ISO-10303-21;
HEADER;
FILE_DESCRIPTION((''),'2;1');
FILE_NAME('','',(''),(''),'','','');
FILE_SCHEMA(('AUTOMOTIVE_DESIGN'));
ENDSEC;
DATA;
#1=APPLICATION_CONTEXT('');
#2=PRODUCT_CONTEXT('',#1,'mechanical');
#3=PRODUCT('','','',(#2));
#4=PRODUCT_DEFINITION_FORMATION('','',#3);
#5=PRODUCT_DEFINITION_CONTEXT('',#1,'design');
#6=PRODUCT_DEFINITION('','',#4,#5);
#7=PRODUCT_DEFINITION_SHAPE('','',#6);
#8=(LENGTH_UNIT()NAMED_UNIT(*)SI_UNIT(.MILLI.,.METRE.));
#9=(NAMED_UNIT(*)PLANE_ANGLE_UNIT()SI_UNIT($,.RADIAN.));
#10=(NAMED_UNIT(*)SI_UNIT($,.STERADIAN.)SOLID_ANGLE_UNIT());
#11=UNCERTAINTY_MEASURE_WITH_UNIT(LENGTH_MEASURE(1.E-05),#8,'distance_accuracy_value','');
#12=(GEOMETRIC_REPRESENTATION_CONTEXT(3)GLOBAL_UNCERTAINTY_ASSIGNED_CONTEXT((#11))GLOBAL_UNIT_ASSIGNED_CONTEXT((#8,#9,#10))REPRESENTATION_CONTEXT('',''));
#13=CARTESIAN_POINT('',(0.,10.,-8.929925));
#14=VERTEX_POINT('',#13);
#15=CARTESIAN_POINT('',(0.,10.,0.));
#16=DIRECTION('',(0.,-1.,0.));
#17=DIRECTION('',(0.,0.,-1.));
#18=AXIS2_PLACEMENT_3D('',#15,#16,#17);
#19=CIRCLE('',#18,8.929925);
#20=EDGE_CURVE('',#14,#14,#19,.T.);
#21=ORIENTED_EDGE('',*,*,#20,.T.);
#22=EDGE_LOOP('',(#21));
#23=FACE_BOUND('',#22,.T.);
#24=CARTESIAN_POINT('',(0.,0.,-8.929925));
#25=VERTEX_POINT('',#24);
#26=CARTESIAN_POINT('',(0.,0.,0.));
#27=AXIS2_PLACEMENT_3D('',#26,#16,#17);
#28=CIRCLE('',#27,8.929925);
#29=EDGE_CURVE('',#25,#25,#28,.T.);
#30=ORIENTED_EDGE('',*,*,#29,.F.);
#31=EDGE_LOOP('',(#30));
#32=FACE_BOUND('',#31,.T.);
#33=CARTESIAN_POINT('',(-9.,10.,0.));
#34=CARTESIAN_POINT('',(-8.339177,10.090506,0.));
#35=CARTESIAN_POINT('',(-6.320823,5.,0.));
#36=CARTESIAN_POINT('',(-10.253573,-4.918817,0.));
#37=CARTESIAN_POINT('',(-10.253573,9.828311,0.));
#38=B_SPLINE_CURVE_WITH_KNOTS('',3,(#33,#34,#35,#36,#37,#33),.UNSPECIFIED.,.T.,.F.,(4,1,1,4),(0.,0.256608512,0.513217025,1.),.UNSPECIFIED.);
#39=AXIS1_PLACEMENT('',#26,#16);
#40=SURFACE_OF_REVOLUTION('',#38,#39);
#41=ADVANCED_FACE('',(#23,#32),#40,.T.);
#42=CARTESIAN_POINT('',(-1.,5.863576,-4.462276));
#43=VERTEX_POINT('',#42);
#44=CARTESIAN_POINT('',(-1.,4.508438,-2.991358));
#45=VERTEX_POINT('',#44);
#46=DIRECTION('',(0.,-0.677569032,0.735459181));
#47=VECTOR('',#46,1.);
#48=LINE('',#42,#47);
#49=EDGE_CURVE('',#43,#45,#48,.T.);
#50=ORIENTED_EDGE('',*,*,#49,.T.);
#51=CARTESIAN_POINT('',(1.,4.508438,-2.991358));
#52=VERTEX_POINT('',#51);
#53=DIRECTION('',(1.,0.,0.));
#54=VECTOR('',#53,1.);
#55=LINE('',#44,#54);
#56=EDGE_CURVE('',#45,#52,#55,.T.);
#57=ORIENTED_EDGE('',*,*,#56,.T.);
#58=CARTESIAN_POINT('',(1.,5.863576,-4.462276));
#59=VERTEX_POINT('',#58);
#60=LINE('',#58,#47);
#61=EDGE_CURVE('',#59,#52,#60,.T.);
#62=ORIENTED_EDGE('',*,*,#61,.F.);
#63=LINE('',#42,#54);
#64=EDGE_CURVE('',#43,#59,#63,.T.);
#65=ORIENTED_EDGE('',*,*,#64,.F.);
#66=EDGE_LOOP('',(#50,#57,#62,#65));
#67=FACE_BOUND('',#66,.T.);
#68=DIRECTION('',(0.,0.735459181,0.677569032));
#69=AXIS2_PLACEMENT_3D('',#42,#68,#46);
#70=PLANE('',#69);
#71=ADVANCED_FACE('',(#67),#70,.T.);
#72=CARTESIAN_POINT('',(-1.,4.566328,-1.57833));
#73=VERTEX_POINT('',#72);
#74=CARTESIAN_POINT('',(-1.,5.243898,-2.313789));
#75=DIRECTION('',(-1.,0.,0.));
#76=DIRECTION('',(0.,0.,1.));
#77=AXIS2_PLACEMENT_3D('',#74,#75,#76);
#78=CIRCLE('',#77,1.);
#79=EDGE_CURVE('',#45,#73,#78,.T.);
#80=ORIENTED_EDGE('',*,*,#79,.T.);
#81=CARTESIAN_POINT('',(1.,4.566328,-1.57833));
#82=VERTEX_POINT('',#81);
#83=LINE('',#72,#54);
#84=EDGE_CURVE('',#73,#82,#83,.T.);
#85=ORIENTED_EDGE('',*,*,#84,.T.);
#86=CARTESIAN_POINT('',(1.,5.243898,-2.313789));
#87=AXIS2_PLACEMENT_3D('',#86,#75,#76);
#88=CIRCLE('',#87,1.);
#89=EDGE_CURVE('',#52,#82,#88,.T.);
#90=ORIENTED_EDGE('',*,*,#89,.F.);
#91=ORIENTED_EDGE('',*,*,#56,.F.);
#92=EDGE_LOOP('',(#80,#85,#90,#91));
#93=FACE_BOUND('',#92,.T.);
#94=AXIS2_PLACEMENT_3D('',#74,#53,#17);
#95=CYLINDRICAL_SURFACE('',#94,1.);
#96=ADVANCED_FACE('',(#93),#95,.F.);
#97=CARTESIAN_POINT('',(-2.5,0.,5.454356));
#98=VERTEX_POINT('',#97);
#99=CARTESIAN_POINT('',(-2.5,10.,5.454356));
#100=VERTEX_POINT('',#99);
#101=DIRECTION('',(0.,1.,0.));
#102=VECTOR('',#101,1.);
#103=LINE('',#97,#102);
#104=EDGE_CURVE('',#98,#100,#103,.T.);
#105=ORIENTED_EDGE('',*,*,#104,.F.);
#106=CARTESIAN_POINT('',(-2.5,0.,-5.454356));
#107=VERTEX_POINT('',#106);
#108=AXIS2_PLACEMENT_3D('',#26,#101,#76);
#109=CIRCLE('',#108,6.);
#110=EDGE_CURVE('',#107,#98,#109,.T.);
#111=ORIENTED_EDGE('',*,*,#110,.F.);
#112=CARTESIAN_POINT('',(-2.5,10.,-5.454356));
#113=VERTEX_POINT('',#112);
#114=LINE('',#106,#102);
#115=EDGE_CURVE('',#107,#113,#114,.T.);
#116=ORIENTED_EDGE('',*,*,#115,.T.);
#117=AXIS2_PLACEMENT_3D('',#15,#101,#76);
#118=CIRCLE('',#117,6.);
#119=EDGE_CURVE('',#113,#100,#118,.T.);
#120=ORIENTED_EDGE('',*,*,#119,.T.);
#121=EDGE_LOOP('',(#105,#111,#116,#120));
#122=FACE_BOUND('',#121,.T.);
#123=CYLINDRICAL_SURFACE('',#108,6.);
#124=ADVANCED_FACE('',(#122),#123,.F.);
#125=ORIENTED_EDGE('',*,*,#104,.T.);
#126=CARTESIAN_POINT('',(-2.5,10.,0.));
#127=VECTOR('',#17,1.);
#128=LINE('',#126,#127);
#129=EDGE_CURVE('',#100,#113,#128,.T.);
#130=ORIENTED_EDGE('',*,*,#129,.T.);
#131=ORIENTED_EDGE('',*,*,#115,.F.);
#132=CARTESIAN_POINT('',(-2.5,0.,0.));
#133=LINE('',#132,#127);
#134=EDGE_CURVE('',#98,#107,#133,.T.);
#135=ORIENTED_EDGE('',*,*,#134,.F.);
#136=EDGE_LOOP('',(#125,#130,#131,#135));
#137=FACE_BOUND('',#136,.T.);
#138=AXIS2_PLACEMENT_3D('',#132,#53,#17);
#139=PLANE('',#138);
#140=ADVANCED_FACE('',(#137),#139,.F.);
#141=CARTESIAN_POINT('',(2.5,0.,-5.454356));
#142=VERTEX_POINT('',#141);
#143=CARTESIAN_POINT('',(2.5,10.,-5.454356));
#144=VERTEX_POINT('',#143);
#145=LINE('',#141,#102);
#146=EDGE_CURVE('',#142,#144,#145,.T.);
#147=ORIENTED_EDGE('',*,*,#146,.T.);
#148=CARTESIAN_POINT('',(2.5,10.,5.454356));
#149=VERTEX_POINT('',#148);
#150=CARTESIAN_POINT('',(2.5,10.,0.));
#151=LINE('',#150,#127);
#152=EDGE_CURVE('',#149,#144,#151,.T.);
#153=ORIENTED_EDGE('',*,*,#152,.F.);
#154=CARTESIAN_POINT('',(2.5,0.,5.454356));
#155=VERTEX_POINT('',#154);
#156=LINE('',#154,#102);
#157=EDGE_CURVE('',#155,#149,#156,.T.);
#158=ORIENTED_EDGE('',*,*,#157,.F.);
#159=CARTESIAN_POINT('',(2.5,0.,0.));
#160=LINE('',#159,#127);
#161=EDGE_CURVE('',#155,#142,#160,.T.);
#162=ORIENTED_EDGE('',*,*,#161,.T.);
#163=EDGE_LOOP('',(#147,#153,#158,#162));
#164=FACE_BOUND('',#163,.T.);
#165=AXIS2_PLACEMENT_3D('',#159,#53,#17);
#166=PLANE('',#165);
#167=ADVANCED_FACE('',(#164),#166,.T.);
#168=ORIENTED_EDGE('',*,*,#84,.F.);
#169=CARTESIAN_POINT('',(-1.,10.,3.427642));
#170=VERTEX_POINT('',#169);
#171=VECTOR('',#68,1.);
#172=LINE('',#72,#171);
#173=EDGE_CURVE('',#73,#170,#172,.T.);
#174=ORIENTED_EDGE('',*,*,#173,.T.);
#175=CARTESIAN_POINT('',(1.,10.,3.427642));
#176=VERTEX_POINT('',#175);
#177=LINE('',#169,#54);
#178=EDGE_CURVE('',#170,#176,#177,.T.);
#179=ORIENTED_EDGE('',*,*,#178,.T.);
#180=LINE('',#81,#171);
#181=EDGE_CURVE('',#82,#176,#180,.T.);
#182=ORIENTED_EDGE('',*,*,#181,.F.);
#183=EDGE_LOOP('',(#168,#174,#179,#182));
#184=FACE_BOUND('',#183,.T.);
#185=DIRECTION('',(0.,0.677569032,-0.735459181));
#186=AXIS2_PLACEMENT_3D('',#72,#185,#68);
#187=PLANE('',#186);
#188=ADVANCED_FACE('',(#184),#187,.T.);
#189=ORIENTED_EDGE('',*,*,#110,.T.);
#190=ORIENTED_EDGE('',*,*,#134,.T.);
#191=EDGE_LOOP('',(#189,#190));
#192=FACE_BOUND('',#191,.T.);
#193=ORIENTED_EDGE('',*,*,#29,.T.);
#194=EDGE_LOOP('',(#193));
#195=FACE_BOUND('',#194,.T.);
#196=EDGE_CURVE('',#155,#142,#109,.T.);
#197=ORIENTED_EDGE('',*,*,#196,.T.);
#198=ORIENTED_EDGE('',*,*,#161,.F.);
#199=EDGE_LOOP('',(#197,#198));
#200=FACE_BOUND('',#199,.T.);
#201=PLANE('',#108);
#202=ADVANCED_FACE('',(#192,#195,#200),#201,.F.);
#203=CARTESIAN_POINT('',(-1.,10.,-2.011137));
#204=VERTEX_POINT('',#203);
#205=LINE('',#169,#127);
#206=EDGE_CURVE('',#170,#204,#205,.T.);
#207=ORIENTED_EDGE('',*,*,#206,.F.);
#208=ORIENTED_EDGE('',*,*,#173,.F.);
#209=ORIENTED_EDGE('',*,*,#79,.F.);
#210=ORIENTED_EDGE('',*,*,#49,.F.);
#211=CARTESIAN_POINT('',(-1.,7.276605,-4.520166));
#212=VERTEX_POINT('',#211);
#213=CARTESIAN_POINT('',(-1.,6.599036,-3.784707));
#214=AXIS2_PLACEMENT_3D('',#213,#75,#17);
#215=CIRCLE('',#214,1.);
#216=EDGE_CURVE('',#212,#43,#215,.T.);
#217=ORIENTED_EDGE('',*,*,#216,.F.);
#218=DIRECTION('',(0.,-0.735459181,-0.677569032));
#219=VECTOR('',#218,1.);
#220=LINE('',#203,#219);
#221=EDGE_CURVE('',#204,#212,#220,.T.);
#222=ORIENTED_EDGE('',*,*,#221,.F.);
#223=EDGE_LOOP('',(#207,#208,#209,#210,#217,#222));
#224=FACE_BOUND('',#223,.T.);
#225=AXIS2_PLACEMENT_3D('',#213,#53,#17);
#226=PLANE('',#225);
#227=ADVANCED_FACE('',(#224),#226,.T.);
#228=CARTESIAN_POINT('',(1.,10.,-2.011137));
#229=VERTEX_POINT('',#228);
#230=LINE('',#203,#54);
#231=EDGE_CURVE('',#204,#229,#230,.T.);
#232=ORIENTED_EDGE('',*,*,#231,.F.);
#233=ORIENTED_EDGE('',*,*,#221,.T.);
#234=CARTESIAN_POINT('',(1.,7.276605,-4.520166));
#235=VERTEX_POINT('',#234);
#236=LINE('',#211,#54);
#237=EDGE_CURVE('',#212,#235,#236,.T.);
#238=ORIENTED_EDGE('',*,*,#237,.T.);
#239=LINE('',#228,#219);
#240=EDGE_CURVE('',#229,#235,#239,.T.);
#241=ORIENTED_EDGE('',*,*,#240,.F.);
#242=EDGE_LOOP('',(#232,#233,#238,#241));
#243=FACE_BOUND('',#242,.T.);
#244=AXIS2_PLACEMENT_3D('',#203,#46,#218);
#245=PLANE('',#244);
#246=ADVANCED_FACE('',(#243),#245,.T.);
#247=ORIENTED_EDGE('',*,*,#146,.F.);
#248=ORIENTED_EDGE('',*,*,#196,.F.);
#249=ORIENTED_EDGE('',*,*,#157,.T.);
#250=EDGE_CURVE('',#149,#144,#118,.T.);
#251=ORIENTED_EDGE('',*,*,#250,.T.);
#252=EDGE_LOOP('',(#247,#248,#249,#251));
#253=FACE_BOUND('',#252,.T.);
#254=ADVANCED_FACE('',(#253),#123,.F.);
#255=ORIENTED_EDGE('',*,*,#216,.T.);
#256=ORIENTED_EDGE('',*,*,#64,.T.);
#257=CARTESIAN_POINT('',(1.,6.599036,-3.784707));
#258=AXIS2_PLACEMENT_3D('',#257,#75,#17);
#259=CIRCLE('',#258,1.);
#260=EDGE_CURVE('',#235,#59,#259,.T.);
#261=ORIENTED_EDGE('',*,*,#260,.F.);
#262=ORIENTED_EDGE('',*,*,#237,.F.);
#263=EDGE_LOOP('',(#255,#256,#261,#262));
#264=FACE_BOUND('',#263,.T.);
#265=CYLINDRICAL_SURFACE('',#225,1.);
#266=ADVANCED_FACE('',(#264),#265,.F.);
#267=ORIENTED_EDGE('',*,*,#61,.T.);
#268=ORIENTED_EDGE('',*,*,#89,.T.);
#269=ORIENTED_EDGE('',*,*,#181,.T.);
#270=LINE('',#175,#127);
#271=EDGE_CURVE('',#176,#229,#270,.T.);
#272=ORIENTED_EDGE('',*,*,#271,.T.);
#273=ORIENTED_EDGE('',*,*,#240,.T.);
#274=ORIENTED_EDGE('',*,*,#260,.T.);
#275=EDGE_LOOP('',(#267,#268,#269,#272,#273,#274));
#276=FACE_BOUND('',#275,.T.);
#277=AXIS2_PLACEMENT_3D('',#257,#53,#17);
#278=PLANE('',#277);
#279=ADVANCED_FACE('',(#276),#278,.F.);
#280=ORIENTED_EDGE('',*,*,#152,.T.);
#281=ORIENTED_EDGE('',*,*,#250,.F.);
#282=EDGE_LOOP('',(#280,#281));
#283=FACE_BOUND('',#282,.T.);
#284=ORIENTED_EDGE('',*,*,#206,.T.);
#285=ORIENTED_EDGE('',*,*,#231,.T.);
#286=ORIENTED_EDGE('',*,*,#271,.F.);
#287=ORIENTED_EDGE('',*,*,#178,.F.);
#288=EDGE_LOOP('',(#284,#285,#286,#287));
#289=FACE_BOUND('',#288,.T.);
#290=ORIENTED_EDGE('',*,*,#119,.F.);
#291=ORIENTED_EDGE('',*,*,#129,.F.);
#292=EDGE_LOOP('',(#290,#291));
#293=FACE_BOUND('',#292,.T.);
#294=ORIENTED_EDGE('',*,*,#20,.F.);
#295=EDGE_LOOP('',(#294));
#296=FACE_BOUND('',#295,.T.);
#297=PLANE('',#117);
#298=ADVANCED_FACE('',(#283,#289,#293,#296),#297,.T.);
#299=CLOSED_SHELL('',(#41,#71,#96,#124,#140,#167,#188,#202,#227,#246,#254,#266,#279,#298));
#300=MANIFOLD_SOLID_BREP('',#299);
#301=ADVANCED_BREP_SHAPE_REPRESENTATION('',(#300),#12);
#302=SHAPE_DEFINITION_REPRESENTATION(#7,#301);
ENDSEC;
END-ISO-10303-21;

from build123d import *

# Parameters (mm, degrees)
SKETCH2_R               = 9
BOSS_EXTRUDE1_DEPTH     = 10
CUT_EXTRUDE1_DEPTH      = 11.0000001
CUT_EXTRUDE2_DEPTH      = 1
CUT_EXTRUDE2_DEPTH_BACK = 1


with BuildPart() as part:
    # Sketch2 → Boss-Extrude1 (new body)
    with BuildSketch(Plane(origin=(0, 0, 0), x_dir=(1, 0, 0), z_dir=(0, 1, 0))):
        Circle(SKETCH2_R)
    extrude(amount=BOSS_EXTRUDE1_DEPTH)

    # Sketch3 → Cut-Revolve1 (revolve, cut)
    with BuildSketch(Plane.XY):
        with BuildLine():
            Line((-9, 10), (-9, 0))
            add(Edge.make_bspline(
                [(-9, 10), (-8.339177008, 10.090505936), (-6.320822992, 5), (-8.339177008, -0.090505936), (-9, 0)],
                knots=[0, 0, 0, 0, 0.256608512, 0.513217025, 0.513217025, 0.513217025, 0.513217025], degree=3))
        make_face()
    revolve(axis=Axis((0, 0, 0), (0, 1, 0)), mode=Mode.SUBTRACT)

    # Sketch4 → Cut-Extrude1 (cut, through all)
    with BuildSketch(Plane(origin=(0, 10, 0), x_dir=(1, 0, 0), z_dir=(0, 1, 0))):
        with BuildLine():
            ThreePointArc((-6, 0), (-5.049752469, -3.240370349), (-2.5, -5.454356057))
            Line((-2.5, -5.454356057), (-2.5, 0))
            Line((-2.5, 0), (-6, 0))
        make_face()
        with BuildLine():
            Line((-6, 0), (-2.5, 0))
            Line((-2.5, 0), (-2.5, 5.454356057))
            ThreePointArc((-2.5, 5.454356057), (-5.049752469, 3.240370349), (-6, 0))
        make_face()
        with BuildLine():
            Line((2.5, 0), (2.5, -5.454356057))
            ThreePointArc((2.5, -5.454356057), (5.049752469, -3.240370349), (6, 0))
            Line((6, 0), (2.5, 0))
        make_face()
        with BuildLine():
            Line((2.5, 5.454356057), (2.5, 0))
            Line((2.5, 0), (6, 0))
            ThreePointArc((6, 0), (5.049752469, 3.240370349), (2.5, 5.454356057))
        make_face()
    extrude(amount=-CUT_EXTRUDE1_DEPTH, mode=Mode.SUBTRACT)

    # Sketch5 → Cut-Extrude2 (cut, two sides)
    with BuildSketch(Plane.ZY) as cut_extrude2_sk:
        with BuildLine():
            Line((-2.01113744, 10), (-4.520166387, 7.276604619))
            ThreePointArc((-4.520166387, 7.276604619), (-4.783869038, 6.55810107), (-4.462276239, 5.863576406))
            Line((-4.462276239, 5.863576406), (-2.991357878, 4.508438341))
            ThreePointArc((-2.991357878, 4.508438341), (-2.272854329, 4.24473569), (-1.578329665, 4.566328489))
            Line((-1.578329665, 4.566328489), (3.427641633, 10))
            Line((3.427641633, 10), (-2.01113744, 10))
        make_face()
    extrude(amount=CUT_EXTRUDE2_DEPTH, mode=Mode.SUBTRACT)
    extrude(cut_extrude2_sk.sketch, amount=-CUT_EXTRUDE2_DEPTH_BACK, mode=Mode.SUBTRACT)


solid = part.part
